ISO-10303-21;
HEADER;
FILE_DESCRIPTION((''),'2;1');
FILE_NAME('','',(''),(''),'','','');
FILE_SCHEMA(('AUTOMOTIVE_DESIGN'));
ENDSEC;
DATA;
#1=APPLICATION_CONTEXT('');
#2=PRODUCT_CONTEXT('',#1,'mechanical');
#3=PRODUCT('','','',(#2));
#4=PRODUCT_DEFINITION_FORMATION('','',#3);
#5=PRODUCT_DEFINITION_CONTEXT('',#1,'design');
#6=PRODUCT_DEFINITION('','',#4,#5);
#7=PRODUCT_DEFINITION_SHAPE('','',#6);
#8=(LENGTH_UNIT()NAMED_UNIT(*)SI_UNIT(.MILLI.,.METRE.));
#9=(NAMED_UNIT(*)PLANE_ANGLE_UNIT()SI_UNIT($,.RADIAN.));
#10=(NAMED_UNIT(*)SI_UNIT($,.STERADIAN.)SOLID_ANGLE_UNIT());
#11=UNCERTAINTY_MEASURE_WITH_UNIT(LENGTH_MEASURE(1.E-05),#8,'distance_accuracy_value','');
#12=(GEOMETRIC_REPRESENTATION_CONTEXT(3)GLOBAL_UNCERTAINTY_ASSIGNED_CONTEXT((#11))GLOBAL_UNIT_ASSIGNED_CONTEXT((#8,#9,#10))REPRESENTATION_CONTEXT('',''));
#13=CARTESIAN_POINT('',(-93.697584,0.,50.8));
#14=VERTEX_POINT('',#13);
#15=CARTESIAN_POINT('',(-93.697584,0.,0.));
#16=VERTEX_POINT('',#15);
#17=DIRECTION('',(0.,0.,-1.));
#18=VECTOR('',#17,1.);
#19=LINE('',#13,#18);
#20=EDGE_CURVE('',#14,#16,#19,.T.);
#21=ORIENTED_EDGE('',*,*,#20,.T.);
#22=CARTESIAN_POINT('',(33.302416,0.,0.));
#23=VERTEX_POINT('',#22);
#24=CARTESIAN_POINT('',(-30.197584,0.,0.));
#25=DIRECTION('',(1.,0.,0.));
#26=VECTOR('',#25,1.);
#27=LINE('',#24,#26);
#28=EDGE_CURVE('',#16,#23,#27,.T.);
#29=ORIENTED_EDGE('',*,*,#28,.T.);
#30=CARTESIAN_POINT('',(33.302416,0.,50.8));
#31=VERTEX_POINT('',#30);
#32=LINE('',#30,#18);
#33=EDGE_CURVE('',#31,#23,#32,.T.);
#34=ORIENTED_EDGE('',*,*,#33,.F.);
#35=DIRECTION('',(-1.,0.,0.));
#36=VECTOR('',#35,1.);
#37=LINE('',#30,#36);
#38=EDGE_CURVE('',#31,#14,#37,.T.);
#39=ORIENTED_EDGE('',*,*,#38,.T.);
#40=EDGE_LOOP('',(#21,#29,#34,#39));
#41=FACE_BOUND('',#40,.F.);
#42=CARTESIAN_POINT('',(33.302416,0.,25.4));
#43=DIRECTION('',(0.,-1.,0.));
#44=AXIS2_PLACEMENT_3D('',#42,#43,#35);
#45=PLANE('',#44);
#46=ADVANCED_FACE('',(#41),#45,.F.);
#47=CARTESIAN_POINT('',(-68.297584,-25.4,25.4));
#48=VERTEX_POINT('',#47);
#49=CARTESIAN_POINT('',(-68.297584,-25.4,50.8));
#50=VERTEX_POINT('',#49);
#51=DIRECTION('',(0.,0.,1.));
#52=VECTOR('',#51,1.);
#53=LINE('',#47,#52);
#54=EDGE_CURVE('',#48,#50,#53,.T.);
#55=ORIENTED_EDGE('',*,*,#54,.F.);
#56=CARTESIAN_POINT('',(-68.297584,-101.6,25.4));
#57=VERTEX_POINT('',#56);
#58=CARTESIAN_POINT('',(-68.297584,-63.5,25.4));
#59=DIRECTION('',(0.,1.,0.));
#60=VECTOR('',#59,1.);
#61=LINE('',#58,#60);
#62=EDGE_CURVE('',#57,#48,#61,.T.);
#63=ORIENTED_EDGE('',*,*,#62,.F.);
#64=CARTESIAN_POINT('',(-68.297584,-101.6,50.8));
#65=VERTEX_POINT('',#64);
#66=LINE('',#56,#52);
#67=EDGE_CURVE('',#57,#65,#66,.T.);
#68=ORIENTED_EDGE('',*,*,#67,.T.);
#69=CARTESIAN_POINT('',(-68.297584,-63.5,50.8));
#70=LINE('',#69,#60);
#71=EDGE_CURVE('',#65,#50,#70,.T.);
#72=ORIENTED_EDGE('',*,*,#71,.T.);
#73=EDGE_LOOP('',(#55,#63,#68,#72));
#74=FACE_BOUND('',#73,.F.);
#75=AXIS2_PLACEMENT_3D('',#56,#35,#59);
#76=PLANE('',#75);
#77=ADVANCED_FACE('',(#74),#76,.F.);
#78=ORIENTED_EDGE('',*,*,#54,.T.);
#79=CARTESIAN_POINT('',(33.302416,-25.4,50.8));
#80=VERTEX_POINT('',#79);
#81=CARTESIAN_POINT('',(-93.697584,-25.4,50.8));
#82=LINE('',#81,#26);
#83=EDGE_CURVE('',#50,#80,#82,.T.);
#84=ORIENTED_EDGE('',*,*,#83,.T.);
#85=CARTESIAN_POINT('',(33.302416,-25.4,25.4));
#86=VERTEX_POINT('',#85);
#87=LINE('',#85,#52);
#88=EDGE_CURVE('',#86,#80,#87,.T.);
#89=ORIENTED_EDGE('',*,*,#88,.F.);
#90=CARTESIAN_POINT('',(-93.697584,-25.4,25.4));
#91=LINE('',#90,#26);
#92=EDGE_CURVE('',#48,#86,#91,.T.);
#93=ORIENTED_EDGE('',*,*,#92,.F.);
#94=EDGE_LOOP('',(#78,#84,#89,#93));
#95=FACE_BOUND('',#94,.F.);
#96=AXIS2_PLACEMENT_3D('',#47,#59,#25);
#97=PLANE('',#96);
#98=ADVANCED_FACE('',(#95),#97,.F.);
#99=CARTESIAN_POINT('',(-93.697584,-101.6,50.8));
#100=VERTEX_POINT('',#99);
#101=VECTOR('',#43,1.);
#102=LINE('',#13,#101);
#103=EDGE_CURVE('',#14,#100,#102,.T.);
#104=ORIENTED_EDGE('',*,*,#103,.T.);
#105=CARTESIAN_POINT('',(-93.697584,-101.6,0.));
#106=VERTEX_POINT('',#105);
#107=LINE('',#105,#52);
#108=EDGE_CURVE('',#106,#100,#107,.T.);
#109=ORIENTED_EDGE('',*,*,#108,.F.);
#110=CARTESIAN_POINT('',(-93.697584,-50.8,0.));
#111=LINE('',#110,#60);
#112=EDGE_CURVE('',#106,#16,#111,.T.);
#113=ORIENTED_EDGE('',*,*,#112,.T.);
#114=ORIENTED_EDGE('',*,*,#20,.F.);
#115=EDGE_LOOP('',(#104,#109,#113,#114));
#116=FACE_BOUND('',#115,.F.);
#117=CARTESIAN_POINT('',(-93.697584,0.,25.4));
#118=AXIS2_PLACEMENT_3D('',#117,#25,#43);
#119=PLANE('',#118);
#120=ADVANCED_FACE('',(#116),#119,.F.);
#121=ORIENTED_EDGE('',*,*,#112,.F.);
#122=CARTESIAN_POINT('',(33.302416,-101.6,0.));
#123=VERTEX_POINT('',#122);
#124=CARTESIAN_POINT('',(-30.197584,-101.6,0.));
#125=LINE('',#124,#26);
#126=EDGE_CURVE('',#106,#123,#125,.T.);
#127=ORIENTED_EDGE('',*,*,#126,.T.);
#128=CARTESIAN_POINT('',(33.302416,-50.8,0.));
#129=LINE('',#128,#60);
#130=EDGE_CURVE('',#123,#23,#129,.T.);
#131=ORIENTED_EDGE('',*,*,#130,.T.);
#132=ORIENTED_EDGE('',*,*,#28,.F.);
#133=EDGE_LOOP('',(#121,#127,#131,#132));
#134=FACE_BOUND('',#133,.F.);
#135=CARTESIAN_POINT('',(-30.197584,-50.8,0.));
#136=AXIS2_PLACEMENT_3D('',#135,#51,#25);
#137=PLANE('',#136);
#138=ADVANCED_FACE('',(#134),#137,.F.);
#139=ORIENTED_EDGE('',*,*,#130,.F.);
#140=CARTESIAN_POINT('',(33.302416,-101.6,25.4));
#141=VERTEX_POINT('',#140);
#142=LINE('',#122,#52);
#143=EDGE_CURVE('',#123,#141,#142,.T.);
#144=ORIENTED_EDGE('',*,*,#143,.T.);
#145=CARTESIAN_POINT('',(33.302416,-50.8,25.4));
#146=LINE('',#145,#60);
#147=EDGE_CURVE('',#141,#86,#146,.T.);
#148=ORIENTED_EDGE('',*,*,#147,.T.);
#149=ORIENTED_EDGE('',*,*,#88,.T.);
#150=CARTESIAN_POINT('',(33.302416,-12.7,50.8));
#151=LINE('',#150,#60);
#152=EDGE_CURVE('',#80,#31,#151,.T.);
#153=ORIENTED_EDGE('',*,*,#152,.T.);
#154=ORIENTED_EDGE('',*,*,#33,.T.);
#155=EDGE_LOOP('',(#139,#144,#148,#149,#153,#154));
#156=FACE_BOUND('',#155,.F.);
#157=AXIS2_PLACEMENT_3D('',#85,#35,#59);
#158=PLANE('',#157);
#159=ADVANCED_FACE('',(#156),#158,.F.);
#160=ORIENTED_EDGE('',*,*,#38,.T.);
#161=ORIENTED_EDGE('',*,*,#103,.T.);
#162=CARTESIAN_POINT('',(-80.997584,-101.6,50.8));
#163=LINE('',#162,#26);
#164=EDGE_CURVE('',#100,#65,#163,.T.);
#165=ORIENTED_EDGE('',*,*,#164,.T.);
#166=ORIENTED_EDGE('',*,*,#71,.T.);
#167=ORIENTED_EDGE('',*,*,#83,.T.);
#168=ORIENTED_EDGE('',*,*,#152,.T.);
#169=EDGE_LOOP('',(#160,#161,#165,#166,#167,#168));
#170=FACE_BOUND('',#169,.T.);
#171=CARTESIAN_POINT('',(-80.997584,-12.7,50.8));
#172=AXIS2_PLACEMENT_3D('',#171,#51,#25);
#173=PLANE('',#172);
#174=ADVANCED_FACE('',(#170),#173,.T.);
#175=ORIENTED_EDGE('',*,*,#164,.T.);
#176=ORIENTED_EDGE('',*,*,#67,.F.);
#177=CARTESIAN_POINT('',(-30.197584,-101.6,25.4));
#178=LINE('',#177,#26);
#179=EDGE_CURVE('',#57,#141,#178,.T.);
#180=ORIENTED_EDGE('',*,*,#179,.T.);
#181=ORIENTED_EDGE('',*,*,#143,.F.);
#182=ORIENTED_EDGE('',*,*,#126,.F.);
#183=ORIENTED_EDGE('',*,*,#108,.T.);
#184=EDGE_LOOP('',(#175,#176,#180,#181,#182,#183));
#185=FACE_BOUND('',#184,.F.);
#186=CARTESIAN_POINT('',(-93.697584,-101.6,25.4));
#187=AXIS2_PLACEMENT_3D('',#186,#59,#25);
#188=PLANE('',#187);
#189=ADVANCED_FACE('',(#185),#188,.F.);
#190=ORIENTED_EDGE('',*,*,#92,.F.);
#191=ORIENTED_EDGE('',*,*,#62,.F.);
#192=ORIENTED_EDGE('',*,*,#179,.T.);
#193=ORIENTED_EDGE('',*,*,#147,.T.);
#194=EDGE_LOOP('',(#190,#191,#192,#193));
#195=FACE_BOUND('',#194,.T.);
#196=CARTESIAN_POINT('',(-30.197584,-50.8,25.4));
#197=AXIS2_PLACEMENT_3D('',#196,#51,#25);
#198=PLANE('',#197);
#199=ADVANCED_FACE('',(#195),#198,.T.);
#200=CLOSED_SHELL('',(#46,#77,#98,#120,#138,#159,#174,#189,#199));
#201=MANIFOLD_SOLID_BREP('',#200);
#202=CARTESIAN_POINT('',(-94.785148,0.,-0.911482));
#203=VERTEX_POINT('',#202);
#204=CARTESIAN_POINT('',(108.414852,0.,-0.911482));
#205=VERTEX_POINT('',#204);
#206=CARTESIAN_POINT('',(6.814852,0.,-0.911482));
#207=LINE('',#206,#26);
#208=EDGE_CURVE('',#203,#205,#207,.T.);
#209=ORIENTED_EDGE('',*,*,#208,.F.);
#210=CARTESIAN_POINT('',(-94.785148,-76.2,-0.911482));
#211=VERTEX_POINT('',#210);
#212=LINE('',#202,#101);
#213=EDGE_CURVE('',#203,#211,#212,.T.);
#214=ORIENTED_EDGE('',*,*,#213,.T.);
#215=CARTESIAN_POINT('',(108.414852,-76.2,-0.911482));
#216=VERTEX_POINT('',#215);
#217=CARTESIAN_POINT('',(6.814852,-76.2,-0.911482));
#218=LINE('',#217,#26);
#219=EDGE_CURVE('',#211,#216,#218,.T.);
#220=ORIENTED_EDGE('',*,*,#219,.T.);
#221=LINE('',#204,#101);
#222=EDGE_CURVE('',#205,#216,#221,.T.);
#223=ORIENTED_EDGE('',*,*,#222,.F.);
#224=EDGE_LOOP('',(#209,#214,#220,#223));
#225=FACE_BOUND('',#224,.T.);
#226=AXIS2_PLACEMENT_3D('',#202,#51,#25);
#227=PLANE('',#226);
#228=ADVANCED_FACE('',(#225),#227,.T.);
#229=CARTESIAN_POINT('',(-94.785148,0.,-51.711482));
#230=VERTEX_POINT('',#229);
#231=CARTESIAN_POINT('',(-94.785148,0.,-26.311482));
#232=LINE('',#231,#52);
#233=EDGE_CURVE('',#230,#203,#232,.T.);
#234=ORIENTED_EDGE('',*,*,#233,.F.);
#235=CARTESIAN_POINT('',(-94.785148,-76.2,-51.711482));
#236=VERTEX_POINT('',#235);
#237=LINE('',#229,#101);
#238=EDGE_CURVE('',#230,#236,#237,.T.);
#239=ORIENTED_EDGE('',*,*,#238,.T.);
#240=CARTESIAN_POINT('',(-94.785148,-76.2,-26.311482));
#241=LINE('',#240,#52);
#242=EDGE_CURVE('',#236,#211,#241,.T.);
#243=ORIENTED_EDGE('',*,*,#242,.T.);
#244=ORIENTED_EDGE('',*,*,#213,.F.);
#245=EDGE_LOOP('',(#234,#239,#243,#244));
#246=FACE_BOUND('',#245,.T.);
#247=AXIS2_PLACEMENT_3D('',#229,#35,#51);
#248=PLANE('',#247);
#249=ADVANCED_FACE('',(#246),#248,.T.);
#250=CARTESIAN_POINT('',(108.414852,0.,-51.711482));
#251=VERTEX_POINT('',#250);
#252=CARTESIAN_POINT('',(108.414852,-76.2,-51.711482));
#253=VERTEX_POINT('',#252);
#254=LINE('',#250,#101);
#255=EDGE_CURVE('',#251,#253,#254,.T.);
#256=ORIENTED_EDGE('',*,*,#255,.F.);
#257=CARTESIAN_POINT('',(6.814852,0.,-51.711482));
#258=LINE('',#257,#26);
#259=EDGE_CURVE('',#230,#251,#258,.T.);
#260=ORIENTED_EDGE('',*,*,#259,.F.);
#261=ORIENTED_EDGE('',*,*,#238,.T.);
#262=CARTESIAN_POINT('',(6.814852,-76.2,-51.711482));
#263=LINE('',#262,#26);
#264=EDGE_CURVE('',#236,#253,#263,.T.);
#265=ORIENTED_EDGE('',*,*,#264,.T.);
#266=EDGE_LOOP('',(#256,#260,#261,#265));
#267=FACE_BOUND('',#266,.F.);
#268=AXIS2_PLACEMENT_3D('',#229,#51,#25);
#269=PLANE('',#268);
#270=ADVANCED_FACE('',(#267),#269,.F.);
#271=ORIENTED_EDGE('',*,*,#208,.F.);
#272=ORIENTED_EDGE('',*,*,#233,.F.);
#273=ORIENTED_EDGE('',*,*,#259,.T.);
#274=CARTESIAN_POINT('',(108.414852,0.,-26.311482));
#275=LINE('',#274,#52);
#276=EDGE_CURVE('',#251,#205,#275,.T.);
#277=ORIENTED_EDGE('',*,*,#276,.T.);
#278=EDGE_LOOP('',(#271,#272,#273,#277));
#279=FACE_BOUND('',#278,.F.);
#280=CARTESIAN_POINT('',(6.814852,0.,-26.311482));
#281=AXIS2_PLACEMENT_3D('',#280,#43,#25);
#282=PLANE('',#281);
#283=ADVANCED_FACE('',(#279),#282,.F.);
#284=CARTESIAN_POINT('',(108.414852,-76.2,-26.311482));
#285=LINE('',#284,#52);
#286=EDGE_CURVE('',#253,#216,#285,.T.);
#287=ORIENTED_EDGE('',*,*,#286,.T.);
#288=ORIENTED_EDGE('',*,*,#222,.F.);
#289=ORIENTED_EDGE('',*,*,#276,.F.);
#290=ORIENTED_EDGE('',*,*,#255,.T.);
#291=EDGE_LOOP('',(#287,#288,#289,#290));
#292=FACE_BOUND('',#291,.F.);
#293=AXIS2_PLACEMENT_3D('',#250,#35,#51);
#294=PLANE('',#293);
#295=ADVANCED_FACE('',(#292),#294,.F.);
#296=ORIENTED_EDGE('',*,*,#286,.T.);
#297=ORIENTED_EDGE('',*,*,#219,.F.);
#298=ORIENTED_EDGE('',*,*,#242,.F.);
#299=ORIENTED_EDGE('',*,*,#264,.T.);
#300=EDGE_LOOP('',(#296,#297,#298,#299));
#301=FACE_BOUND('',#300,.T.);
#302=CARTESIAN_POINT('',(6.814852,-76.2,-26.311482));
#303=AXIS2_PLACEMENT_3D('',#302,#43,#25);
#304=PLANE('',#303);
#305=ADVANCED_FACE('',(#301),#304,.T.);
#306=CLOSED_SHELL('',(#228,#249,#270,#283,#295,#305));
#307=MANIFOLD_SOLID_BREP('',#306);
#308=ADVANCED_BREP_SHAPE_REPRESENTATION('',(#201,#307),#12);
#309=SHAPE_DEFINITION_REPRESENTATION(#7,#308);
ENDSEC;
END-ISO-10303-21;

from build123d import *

# Parameters (mm, degrees)
F0_W     = 203.2
F0_H     = 50.8
F1_DEPTH = 76.2
F2_W     = 127
F2_H     = 101.6
F3_DEPTH = 25.4
F4_W     = 25.4
F4_H     = 25.4
F4_W_2   = 101.6
F4_H_2   = 76.2
F5_DEPTH = 25.4


with BuildPart() as f1:
    # F0 (on Front) → F1 (new body)
    with BuildSketch(Plane.XZ):
        with Locations((6.814852, -26.311482)):
            Rectangle(F0_W, F0_H)
    extrude(amount=F1_DEPTH)


with BuildPart() as f3:
    # F2 (on Top) → F3 (new body)
    with BuildSketch(Plane.XY):
        with Locations((-30.197584, -50.8)):
            Rectangle(F2_W, F2_H)
    extrude(amount=F3_DEPTH)

    # F4 (on face) → F5 (join)
    with BuildSketch(Plane.XY.offset(25.4)):
        with Locations((-80.997584, -12.7)):
            Rectangle(F4_W, F4_H)
        with Locations((-17.497584, -12.7)):
            Rectangle(F4_W_2, F4_H)
        with Locations((-80.997584, -63.5)):
            Rectangle(F4_W, F4_H_2)
    extrude(amount=F5_DEPTH)


solid = Compound([f1.part, f3.part])
